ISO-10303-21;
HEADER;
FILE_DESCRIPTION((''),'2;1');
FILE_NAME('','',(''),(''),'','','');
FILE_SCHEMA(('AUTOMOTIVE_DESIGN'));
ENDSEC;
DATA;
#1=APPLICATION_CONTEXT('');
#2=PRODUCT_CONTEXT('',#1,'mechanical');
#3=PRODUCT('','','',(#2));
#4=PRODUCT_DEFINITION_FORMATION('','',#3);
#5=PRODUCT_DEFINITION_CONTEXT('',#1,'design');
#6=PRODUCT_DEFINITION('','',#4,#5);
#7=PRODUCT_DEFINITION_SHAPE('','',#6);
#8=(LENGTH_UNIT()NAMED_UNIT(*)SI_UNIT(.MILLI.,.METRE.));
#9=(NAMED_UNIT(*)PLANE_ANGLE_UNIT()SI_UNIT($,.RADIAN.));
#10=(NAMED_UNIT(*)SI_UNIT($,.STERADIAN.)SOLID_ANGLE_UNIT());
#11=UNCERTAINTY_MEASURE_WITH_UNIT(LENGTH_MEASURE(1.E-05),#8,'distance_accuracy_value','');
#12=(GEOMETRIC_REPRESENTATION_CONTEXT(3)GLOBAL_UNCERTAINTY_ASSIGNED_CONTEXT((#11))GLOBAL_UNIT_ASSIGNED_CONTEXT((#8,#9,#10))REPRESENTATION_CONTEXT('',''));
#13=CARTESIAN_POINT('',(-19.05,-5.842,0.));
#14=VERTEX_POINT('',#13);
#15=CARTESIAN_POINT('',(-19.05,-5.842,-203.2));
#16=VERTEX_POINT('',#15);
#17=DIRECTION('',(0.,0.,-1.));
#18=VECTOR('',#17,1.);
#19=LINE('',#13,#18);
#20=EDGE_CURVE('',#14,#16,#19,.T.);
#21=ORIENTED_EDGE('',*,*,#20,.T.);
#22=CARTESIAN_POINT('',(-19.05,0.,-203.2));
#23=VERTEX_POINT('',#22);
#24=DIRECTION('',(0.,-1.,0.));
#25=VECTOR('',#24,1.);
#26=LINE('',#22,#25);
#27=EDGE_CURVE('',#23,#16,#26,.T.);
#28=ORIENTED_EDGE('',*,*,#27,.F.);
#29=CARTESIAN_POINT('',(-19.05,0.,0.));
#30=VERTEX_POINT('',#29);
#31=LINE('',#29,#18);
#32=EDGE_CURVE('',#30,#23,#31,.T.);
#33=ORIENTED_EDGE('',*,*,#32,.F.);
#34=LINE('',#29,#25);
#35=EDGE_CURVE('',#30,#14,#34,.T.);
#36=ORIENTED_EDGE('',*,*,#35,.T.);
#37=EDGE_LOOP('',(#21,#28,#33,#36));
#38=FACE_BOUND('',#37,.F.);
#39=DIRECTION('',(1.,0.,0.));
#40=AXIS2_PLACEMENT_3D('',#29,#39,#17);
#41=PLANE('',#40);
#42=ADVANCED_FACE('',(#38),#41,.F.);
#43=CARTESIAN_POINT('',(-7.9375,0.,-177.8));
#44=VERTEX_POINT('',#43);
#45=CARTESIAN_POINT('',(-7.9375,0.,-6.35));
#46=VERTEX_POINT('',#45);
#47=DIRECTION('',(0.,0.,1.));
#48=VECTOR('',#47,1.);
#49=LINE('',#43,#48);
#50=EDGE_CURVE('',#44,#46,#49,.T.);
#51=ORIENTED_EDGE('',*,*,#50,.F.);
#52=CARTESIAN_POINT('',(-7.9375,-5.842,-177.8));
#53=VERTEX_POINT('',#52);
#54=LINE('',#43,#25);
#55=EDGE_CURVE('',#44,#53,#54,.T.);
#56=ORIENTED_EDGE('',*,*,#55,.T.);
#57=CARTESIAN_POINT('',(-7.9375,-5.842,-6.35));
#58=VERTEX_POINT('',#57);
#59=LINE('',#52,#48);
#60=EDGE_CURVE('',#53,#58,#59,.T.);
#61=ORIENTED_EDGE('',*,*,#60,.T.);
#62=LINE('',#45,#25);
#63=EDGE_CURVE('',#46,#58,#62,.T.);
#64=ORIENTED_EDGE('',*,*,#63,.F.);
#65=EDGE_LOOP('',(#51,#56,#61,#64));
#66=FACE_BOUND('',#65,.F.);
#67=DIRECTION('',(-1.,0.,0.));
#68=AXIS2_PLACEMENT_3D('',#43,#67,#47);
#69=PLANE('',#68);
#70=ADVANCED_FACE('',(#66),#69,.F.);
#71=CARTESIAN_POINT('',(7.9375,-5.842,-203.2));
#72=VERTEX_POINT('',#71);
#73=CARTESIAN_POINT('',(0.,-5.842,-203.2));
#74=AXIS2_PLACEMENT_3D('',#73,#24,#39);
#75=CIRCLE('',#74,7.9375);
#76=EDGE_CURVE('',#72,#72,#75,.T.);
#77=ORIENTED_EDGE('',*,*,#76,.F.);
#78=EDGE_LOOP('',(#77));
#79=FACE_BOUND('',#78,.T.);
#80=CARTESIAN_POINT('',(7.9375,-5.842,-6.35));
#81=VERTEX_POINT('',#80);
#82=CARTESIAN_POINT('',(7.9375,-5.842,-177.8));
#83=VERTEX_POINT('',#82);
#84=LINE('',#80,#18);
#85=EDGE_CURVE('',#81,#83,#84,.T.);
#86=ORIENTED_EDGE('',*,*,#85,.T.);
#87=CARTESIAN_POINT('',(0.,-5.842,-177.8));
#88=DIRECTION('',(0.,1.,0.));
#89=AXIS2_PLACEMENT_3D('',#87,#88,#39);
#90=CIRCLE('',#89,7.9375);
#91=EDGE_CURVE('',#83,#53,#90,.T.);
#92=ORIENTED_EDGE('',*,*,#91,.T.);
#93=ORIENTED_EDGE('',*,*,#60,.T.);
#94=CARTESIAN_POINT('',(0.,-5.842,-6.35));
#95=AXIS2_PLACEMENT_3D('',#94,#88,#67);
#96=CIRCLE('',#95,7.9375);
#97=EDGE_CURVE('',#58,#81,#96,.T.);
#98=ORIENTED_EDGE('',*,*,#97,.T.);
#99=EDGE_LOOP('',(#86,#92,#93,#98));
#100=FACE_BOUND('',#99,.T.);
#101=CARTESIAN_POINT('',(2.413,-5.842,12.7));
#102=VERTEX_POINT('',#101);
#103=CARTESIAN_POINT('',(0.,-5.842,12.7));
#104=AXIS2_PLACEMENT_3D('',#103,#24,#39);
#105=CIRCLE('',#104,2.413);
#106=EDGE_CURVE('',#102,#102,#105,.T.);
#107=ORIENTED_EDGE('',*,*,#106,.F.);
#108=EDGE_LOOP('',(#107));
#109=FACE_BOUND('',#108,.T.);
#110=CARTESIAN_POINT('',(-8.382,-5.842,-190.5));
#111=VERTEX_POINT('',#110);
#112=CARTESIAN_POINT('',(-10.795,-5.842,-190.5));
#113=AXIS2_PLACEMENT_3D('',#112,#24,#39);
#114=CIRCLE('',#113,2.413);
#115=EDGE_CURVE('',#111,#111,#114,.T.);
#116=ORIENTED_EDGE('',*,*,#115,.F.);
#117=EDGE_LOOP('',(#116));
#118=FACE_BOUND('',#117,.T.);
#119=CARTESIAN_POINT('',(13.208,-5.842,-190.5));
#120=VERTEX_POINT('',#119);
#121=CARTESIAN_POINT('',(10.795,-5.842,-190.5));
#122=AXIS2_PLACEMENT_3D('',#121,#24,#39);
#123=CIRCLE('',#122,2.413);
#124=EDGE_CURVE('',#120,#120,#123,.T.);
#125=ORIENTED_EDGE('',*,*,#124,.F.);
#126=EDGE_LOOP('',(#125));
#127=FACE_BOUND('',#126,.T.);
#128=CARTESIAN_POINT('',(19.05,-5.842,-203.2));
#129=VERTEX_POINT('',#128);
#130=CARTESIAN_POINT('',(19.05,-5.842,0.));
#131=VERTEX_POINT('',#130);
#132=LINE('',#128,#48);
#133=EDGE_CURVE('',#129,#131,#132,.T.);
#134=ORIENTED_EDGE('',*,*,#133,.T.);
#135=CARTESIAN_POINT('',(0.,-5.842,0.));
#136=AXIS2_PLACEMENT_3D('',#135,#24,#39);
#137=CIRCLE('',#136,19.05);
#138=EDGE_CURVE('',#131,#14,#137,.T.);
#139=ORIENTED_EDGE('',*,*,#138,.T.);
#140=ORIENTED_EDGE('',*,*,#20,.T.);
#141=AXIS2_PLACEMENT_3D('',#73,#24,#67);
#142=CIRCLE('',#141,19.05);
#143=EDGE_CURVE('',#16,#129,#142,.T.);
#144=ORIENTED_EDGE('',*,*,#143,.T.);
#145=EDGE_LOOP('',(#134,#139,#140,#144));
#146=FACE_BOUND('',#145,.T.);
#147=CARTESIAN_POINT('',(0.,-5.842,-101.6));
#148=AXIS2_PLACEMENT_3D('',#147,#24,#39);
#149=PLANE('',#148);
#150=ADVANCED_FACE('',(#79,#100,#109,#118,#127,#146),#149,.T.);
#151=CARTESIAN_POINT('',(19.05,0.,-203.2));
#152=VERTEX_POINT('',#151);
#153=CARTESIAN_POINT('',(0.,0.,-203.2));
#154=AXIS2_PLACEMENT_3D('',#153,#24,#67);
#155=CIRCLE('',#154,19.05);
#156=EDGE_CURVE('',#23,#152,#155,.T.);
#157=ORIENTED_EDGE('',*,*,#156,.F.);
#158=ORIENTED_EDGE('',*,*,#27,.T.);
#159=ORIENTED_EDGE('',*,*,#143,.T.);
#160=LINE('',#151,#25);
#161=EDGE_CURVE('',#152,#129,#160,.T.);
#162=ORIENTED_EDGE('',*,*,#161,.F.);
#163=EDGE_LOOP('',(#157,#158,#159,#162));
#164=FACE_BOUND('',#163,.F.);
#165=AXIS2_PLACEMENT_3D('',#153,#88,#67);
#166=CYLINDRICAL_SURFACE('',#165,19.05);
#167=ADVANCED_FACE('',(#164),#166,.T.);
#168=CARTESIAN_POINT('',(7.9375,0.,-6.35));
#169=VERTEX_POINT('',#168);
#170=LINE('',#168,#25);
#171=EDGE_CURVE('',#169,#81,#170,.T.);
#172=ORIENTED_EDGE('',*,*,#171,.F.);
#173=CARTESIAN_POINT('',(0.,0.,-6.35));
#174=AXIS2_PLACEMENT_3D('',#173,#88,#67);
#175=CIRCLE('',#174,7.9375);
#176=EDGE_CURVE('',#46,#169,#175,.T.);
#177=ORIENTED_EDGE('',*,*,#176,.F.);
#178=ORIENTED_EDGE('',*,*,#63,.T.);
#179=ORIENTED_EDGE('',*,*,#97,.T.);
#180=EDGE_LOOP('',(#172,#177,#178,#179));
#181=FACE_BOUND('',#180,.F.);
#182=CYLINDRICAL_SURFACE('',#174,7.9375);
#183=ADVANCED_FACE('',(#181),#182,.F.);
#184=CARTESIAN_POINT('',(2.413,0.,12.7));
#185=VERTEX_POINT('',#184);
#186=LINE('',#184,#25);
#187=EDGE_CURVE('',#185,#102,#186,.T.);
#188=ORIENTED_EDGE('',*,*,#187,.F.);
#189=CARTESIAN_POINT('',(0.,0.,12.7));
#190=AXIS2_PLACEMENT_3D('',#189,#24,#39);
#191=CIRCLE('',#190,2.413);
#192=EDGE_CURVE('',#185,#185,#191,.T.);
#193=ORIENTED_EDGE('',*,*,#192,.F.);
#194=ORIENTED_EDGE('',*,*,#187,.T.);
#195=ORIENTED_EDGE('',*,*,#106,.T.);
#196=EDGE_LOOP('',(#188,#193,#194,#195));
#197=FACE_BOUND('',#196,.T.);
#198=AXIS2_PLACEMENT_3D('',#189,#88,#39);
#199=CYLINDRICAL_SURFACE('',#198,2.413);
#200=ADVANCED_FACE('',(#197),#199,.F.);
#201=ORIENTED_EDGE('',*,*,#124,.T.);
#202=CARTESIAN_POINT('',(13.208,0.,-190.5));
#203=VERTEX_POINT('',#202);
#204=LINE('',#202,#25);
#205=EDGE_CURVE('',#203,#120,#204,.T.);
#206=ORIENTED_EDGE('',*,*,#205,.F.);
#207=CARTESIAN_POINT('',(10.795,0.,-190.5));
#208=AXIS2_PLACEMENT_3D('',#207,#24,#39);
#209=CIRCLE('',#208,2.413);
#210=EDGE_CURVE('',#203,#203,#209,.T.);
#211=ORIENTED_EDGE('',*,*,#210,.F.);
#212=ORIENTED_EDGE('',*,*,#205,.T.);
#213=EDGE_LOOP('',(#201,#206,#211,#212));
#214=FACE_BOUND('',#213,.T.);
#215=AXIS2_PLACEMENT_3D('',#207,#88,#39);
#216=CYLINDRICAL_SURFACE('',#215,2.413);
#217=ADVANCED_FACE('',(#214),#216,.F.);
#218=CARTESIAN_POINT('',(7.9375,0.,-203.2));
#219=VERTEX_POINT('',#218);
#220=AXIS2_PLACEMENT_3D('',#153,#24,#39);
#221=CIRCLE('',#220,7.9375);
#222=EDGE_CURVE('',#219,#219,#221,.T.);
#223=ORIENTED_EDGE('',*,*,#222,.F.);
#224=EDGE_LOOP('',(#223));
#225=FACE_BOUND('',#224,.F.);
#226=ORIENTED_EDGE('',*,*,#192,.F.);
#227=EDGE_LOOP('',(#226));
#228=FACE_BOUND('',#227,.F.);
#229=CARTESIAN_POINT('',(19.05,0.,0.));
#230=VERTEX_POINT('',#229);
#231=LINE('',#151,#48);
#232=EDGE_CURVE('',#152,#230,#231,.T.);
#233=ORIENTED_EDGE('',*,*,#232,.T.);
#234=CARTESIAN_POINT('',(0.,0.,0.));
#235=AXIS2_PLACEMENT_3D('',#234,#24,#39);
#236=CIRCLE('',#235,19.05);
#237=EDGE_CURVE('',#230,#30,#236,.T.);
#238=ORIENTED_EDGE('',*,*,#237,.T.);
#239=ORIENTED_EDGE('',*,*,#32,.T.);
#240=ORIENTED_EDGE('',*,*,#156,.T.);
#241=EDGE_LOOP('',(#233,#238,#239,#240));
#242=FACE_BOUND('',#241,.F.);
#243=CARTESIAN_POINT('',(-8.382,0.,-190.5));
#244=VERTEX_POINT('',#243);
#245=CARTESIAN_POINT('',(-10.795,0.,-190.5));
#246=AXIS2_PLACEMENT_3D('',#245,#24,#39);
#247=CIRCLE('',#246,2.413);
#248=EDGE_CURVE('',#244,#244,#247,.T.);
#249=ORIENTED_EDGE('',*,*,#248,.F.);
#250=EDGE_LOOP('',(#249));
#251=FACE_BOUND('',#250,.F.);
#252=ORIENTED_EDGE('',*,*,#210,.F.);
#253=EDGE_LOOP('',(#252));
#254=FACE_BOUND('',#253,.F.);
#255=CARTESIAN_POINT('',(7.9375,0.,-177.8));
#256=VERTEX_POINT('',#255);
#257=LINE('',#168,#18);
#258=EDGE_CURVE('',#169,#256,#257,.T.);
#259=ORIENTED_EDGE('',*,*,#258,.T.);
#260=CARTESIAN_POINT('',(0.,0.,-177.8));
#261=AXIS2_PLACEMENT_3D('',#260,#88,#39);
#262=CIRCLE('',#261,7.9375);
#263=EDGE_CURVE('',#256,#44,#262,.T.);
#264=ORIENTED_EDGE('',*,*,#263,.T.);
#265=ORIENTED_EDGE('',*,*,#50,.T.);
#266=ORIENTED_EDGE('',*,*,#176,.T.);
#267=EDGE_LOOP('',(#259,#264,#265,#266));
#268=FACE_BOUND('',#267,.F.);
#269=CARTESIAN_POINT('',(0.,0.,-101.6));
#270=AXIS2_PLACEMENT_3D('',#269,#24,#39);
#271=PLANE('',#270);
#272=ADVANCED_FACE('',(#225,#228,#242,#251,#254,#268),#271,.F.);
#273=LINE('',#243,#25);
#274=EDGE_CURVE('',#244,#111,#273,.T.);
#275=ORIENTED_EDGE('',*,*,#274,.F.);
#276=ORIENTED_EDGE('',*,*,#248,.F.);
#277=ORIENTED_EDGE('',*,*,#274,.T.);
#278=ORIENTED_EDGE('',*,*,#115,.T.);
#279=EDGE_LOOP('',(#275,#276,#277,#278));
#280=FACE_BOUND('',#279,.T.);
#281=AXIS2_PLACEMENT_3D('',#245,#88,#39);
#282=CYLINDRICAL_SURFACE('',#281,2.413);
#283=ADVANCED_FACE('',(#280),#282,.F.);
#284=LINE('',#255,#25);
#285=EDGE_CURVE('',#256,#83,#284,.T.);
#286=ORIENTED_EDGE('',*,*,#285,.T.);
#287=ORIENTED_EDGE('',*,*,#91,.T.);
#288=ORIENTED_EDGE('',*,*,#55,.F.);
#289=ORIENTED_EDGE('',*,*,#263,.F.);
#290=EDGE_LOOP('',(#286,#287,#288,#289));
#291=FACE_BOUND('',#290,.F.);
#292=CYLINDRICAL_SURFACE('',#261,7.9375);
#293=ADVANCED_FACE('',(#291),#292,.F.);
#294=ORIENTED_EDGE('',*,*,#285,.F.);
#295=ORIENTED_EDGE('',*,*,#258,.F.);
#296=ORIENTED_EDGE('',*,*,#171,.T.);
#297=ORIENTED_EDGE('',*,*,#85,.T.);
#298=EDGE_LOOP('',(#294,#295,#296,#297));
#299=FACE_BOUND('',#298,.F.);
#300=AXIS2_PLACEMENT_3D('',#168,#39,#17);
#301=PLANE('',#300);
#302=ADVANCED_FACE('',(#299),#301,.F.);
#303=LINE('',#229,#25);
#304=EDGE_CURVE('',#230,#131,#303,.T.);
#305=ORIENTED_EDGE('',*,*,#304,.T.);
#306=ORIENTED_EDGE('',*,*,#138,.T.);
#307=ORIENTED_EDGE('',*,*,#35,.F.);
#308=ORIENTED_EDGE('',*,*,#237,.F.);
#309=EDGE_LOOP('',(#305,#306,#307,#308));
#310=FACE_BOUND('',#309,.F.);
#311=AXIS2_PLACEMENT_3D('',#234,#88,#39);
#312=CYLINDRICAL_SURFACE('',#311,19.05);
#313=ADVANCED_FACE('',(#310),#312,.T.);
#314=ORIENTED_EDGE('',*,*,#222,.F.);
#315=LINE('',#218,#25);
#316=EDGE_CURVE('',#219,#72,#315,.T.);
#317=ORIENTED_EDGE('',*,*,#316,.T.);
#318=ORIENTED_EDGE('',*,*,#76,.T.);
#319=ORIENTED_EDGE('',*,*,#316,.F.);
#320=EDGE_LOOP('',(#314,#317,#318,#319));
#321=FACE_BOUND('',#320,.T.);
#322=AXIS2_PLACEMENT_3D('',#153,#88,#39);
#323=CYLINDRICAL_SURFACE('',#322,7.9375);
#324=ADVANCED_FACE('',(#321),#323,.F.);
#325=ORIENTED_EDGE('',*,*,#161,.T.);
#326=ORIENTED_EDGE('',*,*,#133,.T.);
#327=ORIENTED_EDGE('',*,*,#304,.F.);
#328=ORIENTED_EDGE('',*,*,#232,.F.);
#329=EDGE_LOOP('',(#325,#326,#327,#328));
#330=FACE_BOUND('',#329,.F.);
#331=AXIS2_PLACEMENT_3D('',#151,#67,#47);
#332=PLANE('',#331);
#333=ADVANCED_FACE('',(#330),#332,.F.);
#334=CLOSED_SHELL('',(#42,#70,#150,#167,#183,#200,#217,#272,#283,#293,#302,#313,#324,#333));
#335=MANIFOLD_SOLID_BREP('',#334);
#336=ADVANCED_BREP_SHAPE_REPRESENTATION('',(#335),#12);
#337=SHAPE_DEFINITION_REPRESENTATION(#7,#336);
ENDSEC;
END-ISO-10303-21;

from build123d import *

# Parameters (mm, degrees)
F0_R     = 2.413
F0_R_2   = 7.9375
F1_DEPTH = 5.842


with BuildPart() as f1:
    # F0 (on Front) → F1 (new body)
    with BuildSketch(Plane.XZ):
        with BuildLine():
            Line((-19.05, 0), (-19.05, -203.2))
            ThreePointArc((-19.05, -203.2), (0, -222.25), (19.05, -203.2))
            Line((19.05, -203.2), (19.05, 0))
            ThreePointArc((19.05, 0), (0, 19.05), (-19.05, 0))
        make_face()
        with Locations((-10.795, -190.5)):
            Circle(F0_R, mode=Mode.SUBTRACT)
        with Locations((0, -203.2)):
            Circle(F0_R_2, mode=Mode.SUBTRACT)
        with Locations((10.795, -190.5)):
            Circle(F0_R, mode=Mode.SUBTRACT)
        with BuildLine():
            ThreePointArc((7.9375, -177.8), (0, -185.7375), (-7.9375, -177.8))
            Line((-7.9375, -177.8), (-7.9375, -6.35))
            ThreePointArc((-7.9375, -6.35), (0, 1.5875), (7.9375, -6.35))
            Line((7.9375, -6.35), (7.9375, -177.8))
        make_face(mode=Mode.SUBTRACT)
        with Locations((0, 12.7)):
            Circle(F0_R, mode=Mode.SUBTRACT)
    extrude(amount=F1_DEPTH)


solid = f1.part
